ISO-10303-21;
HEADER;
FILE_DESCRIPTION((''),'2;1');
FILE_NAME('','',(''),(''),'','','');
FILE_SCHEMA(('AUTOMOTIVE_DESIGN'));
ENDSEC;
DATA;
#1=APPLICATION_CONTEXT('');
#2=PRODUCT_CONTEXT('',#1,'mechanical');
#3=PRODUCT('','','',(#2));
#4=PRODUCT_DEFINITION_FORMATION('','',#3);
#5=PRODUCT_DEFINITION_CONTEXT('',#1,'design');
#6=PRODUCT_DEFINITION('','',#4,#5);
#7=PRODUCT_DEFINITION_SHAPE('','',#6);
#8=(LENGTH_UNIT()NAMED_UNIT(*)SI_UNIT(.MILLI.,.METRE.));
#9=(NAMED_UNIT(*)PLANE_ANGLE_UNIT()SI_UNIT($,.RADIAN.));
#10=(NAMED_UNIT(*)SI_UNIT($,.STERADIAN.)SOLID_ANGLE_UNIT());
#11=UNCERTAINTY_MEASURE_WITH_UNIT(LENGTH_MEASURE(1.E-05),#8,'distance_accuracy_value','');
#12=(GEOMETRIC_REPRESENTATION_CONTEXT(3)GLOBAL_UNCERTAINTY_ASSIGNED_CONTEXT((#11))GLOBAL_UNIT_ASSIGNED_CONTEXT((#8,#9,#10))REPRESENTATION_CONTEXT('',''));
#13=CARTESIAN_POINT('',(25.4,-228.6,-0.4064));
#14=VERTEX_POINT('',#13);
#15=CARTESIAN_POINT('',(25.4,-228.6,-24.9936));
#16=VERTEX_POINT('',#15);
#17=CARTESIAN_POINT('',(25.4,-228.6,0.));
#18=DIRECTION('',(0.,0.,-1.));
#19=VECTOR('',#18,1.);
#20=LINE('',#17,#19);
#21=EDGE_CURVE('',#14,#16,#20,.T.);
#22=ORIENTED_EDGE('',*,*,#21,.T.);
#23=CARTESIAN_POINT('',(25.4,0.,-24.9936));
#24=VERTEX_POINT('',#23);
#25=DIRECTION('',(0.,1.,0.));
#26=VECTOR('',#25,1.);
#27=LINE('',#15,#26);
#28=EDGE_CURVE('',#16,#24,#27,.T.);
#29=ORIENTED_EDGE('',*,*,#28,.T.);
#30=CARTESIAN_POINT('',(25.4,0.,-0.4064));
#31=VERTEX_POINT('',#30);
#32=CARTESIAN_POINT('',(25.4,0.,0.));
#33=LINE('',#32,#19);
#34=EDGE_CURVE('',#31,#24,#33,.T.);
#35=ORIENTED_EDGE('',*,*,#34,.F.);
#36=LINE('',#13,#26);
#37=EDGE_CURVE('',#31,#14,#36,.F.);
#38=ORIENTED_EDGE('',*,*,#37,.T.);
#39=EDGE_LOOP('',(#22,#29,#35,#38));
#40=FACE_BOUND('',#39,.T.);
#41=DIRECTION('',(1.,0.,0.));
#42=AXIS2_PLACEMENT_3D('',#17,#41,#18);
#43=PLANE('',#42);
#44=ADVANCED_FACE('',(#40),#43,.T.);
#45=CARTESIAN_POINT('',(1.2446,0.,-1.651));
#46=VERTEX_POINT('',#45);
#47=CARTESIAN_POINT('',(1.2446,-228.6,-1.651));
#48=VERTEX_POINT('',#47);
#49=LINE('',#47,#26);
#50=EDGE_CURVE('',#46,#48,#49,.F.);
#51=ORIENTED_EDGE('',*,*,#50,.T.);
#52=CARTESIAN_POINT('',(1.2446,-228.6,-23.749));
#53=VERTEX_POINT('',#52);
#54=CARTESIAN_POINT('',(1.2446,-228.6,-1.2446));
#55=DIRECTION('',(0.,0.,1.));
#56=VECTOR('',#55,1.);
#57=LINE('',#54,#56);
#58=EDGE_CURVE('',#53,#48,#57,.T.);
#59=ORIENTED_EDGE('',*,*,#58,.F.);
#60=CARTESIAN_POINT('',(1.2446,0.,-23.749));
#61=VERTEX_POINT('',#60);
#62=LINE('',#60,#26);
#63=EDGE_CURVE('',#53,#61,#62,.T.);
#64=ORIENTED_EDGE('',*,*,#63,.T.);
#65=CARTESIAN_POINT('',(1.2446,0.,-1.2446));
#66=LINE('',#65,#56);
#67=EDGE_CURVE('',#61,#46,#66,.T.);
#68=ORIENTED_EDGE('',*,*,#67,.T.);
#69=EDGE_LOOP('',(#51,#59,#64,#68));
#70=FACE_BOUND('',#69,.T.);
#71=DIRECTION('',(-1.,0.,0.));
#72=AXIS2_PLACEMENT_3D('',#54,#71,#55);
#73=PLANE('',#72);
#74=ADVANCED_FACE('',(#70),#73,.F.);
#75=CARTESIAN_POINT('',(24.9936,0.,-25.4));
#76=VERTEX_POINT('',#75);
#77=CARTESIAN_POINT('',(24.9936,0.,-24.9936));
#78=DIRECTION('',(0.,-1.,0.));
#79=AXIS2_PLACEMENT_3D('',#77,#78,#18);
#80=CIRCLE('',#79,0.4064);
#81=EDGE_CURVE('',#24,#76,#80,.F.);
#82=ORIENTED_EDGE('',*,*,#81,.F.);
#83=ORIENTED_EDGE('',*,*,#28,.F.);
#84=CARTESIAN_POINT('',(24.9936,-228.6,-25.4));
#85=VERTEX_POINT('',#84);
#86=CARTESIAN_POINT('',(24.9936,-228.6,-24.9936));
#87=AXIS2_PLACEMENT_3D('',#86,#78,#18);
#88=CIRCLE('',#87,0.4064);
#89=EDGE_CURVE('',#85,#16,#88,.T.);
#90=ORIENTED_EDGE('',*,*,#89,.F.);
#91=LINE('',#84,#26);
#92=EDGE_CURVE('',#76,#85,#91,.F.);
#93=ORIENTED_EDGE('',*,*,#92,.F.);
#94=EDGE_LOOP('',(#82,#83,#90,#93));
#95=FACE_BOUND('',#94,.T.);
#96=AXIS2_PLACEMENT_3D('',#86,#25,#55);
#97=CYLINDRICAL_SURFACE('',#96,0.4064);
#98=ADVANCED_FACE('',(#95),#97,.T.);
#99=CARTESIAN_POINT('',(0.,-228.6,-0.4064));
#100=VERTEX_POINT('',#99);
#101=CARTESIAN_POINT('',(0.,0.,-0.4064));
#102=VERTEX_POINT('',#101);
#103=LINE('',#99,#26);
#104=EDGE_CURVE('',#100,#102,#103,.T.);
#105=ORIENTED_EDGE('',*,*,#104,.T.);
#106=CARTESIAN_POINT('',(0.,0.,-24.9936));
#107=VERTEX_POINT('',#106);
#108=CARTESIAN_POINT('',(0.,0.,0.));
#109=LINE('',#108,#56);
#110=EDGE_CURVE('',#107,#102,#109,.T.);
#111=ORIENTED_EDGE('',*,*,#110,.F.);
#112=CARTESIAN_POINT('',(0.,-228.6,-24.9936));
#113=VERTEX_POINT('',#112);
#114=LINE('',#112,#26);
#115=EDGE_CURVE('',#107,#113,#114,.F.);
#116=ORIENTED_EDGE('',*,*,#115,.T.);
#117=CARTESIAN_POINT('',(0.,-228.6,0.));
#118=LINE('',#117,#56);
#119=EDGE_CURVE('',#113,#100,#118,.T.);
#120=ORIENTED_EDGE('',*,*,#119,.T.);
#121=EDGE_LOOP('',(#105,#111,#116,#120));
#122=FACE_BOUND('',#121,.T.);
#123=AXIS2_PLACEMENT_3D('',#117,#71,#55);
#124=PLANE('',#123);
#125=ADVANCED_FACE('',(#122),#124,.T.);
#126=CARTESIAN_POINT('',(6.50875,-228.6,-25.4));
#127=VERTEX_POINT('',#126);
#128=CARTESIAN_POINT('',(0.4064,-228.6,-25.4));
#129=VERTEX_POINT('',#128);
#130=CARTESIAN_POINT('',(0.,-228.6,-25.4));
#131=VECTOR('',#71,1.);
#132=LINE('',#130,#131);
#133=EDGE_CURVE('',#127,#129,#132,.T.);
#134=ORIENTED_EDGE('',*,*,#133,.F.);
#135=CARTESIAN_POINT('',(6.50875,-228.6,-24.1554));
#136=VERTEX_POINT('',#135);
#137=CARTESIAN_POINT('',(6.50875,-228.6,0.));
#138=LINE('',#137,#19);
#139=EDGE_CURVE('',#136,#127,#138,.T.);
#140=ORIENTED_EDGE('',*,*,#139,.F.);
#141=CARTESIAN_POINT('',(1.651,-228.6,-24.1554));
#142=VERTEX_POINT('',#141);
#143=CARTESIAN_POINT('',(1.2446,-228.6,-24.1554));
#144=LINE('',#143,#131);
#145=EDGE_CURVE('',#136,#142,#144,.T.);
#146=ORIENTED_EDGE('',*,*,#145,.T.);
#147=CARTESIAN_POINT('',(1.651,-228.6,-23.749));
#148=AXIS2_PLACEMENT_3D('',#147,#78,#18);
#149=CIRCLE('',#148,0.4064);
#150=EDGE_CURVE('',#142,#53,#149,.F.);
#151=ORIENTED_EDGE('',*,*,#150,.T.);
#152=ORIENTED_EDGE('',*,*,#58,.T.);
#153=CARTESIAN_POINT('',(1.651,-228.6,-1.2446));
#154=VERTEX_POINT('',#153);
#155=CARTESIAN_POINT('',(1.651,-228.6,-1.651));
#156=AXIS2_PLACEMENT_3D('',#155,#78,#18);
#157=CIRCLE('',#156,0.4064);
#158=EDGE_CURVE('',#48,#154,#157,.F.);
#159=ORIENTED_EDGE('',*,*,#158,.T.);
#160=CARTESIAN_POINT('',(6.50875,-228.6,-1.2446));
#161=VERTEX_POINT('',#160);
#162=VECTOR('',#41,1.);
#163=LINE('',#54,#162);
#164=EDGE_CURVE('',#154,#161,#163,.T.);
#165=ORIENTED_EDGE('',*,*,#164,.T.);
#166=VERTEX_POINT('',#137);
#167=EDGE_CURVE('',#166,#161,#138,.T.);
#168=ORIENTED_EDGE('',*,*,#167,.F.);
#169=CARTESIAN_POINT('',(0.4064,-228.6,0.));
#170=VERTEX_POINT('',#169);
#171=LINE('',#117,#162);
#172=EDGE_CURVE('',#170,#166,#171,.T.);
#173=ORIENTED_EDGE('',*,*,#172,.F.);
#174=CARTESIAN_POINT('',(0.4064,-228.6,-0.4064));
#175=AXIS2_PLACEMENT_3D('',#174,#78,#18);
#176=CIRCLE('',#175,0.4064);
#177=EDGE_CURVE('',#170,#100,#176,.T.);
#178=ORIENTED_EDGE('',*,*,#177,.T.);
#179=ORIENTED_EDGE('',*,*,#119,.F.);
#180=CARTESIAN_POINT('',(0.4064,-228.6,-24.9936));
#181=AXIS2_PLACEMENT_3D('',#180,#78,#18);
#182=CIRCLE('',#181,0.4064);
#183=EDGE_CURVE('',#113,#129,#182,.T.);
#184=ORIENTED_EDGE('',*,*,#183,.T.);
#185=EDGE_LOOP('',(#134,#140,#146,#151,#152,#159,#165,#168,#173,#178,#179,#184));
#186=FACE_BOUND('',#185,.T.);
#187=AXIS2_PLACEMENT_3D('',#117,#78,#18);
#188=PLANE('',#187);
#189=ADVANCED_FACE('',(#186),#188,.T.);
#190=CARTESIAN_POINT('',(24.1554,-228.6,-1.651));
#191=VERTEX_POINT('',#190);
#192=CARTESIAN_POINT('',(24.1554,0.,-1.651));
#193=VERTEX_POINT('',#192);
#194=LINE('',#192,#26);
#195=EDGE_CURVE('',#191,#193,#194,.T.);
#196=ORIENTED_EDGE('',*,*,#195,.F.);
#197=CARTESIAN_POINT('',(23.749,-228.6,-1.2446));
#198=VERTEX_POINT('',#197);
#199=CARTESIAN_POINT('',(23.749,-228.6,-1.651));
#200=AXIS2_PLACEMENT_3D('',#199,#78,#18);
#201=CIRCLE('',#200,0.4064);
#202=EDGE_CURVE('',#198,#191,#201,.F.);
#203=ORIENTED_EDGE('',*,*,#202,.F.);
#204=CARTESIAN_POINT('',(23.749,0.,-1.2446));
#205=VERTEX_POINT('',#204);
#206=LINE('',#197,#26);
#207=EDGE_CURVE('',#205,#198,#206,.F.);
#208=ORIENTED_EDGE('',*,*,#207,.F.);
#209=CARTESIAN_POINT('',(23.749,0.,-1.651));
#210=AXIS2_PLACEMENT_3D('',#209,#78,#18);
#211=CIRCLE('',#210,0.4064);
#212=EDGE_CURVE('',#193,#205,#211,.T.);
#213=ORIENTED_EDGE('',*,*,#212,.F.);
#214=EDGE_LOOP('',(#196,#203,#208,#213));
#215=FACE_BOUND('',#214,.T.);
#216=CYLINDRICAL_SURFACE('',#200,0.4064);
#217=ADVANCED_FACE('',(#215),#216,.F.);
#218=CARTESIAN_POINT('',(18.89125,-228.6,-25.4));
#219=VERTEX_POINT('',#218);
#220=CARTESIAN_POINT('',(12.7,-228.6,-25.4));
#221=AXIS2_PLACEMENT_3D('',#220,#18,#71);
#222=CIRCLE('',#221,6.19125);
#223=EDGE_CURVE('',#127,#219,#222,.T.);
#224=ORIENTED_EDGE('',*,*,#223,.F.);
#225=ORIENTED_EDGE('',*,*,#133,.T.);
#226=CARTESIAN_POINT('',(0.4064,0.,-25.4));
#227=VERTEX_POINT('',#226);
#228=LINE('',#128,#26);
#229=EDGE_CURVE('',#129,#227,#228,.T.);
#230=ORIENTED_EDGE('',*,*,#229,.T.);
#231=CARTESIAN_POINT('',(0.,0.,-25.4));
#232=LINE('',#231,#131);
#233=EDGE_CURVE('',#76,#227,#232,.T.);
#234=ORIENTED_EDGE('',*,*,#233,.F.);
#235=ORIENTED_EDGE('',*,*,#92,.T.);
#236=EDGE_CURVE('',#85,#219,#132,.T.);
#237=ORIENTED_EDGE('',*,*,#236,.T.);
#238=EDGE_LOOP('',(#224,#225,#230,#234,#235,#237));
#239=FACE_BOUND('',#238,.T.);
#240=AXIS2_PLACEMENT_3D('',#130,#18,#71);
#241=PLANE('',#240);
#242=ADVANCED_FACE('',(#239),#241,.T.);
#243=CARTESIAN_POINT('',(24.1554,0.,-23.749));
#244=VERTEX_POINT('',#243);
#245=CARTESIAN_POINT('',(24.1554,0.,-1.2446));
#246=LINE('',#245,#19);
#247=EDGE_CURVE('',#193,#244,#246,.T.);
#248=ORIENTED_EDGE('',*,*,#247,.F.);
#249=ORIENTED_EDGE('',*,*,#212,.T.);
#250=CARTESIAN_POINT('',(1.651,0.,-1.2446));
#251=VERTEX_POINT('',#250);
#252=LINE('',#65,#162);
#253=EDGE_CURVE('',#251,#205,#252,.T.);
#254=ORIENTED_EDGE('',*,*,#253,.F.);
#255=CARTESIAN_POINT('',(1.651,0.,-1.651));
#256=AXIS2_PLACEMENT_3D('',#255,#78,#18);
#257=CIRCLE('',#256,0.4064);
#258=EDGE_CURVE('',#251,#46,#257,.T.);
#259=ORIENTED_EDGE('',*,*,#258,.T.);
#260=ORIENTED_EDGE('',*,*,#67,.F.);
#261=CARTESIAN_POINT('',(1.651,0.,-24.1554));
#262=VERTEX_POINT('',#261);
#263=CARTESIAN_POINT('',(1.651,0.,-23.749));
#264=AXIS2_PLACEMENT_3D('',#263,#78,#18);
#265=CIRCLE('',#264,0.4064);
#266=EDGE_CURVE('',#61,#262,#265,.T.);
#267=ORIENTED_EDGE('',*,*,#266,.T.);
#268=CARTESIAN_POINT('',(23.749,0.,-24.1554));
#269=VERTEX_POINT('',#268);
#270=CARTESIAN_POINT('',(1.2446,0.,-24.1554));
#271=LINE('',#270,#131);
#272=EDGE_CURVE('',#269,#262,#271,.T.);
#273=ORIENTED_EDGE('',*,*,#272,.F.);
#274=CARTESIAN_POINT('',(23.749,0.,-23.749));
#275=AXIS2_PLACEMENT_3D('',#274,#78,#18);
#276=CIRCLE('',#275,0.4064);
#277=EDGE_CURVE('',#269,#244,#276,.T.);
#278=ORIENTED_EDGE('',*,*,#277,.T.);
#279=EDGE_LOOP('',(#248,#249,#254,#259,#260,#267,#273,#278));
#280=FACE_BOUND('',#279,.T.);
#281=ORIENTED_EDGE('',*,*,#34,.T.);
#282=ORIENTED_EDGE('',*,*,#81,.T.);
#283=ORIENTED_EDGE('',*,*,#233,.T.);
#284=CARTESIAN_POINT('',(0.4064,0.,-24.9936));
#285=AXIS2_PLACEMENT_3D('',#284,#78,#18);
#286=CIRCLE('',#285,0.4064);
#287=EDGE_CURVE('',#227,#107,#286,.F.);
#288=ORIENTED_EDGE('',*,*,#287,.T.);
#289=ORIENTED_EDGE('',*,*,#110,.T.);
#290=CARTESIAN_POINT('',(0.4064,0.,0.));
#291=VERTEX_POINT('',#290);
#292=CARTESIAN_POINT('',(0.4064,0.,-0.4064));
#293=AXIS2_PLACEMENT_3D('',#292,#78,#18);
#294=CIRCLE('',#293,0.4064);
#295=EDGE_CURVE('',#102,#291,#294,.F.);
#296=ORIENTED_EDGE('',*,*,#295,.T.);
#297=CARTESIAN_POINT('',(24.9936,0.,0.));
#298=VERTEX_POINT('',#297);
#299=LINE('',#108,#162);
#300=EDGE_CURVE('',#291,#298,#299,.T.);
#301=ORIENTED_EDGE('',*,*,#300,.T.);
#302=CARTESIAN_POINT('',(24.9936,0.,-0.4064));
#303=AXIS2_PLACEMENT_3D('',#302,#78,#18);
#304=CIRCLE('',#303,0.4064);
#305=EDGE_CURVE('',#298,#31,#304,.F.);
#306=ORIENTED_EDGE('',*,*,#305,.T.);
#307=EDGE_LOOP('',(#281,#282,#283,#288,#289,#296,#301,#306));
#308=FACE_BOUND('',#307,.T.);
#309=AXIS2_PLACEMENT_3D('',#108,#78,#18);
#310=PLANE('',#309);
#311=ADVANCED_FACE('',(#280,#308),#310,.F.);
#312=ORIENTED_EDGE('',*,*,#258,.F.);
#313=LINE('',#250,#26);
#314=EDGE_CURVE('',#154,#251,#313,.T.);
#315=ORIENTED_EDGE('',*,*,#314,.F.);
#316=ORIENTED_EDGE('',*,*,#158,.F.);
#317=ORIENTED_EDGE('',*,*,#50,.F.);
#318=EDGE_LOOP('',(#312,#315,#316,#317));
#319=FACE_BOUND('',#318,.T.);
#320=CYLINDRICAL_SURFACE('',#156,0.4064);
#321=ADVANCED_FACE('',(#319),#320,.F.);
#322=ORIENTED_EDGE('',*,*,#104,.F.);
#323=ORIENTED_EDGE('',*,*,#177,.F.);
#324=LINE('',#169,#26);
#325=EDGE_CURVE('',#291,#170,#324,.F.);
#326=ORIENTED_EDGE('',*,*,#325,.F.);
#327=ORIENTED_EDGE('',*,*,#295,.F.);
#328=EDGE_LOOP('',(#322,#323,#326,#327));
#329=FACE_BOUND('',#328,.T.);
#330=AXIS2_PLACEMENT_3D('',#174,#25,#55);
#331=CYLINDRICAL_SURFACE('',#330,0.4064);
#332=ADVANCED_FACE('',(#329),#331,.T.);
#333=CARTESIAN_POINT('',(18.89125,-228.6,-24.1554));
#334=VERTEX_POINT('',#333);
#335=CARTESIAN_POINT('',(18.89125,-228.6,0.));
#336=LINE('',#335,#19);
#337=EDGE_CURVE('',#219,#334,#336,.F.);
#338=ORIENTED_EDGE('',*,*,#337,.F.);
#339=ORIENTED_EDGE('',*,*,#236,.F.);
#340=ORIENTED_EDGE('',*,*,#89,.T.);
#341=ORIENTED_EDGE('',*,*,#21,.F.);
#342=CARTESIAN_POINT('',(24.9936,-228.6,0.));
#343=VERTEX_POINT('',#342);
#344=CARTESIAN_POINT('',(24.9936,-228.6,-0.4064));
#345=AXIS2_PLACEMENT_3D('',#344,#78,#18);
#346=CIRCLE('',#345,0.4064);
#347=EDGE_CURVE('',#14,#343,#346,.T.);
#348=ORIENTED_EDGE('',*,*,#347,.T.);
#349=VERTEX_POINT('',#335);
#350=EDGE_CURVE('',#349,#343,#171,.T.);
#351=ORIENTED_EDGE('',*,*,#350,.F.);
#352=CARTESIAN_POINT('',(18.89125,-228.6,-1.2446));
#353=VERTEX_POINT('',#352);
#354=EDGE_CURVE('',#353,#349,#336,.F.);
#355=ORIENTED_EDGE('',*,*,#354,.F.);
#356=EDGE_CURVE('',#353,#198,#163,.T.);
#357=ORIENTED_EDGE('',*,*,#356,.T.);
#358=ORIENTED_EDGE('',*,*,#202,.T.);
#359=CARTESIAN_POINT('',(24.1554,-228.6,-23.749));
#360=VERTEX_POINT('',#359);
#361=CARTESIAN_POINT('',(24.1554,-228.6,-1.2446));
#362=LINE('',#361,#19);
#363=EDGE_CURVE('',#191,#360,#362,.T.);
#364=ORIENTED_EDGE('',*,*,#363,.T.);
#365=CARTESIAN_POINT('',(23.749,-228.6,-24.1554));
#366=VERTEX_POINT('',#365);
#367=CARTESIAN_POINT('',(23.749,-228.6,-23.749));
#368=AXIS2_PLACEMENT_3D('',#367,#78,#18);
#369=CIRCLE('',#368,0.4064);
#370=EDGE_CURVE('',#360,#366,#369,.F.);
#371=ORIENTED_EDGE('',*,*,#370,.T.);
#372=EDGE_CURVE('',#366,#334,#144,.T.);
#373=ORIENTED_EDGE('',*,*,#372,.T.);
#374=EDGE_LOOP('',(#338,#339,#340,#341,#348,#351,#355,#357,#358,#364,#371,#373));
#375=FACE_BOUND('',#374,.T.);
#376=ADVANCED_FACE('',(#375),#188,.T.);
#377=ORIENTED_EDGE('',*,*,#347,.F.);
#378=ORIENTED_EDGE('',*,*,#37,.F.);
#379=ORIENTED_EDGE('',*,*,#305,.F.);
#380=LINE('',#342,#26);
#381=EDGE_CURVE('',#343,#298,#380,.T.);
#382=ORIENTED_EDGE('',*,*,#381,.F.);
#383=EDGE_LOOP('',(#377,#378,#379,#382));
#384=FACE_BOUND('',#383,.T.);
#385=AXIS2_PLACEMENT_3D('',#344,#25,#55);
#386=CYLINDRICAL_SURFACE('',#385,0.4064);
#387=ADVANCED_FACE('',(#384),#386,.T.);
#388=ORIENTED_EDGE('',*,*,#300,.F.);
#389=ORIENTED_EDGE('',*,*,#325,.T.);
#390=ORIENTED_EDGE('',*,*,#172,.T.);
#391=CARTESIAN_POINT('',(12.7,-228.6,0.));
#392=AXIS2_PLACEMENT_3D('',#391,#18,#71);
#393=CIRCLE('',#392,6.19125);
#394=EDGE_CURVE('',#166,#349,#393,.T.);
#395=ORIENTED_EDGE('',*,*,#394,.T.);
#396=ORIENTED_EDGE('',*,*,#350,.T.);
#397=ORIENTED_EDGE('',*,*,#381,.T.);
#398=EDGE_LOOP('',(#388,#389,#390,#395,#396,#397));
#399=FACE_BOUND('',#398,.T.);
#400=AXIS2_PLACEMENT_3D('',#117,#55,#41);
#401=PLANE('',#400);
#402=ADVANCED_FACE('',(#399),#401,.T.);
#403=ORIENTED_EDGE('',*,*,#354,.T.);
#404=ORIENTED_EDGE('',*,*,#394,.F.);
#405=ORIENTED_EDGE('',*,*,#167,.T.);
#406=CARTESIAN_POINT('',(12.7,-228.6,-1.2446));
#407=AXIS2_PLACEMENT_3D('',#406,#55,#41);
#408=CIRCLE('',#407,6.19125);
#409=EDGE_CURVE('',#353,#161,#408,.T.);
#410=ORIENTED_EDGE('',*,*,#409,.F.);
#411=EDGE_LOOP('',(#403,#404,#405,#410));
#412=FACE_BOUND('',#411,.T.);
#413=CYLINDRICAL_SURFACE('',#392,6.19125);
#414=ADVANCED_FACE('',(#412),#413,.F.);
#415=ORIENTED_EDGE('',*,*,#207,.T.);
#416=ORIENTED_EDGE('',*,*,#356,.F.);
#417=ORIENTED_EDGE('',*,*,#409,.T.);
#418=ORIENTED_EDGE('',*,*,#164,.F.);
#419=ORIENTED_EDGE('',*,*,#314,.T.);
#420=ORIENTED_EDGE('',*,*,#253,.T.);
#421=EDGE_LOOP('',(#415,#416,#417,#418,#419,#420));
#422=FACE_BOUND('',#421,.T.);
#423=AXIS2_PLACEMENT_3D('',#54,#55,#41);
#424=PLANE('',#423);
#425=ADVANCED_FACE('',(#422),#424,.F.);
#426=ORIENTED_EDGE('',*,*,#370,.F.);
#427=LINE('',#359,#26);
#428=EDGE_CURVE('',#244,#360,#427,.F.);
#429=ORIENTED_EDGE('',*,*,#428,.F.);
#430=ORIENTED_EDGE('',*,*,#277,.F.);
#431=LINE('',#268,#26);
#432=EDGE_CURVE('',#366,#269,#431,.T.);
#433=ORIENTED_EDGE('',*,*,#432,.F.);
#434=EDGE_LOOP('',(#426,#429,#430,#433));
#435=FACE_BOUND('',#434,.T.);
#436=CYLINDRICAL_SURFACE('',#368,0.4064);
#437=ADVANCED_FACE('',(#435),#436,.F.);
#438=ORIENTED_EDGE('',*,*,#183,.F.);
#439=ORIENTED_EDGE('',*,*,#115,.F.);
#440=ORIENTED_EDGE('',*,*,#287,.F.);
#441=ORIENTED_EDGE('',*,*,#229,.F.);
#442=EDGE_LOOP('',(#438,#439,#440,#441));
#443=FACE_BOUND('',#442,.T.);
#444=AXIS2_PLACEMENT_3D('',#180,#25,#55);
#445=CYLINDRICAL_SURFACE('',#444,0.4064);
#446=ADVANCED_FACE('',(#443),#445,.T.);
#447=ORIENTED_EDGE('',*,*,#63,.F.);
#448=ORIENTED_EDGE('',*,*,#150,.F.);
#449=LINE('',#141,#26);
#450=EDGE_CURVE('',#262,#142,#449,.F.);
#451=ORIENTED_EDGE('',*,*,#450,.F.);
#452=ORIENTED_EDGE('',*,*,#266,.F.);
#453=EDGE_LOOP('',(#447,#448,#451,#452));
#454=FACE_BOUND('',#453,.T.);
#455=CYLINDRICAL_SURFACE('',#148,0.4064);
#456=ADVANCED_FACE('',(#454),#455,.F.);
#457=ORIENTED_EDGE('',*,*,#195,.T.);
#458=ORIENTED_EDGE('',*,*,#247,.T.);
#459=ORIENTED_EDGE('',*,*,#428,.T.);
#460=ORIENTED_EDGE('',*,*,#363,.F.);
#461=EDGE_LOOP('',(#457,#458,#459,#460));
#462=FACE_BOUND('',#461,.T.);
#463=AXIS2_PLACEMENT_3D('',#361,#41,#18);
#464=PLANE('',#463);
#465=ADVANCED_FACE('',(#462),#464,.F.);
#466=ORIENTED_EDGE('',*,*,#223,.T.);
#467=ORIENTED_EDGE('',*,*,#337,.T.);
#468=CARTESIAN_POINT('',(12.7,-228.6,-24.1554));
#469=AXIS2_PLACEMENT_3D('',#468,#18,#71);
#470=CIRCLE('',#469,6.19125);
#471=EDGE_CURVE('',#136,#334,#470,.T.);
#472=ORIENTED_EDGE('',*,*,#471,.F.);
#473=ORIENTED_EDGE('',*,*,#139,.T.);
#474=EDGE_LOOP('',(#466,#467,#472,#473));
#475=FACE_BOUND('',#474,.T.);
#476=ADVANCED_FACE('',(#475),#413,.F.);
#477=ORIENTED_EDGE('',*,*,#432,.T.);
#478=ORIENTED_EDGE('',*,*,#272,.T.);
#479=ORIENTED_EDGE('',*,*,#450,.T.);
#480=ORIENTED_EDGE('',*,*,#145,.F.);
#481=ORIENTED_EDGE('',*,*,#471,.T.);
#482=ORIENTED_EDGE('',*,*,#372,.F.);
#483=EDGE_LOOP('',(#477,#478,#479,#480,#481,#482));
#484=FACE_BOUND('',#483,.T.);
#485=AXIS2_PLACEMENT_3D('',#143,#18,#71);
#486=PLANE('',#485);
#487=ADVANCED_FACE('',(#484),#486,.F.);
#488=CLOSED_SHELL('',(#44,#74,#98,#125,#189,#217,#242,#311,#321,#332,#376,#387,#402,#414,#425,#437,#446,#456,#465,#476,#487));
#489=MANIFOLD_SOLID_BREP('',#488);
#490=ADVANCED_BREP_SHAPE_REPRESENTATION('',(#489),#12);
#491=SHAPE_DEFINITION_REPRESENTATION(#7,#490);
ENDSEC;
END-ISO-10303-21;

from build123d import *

# Parameters (mm, degrees)
SKETCH1_W           = 25.4
SKETCH1_H           = 25.4
SKETCH1_W_2         = 22.9108
SKETCH1_H_2         = 22.9108
BOSS_EXTRUDE1_DEPTH = 228.6
FILLET1_R           = 0.4064
SKETCH2_R           = 6.19125
CUT_EXTRUDE1_DEPTH  = 232.40501291


with BuildPart() as part:
    # Sketch1 → Boss-Extrude1 (new body)
    with BuildSketch(Plane(origin=(0, 0, 0), x_dir=(1, 0, 0), z_dir=(0, 1, 0))):
        with Locations((12.7, 12.7)):
            Rectangle(SKETCH1_W, SKETCH1_H)
        with Locations((12.7, 12.7)):
            Rectangle(SKETCH1_W_2, SKETCH1_H_2, mode=Mode.SUBTRACT)
    extrude(amount=-BOSS_EXTRUDE1_DEPTH)

    # Fillet1
    fillet1_edges = [part.edges().sort_by_distance(p)[0] for p in [
        (1.2446, -114.3, -1.2446),
        (1.2446, -114.3, -24.1554),
        (24.1554, -114.3, -24.1554),
        (24.1554, -114.3, -1.2446),
        (0, -114.3, -25.4),
        (25.4, -114.3, -25.4),
        (25.4, -114.3, 0),
        (0, -114.3, 0),
    ]]
    fillet(fillet1_edges, radius=FILLET1_R)

    # Sketch2 → Cut-Extrude1 (cut, through all)
    with BuildSketch(Plane(origin=(0, 0, -25.4), x_dir=(-1, 0, 0), z_dir=(0, 0, -1))):
        with Locations((-12.7, -228.6)):
            Circle(SKETCH2_R)
    extrude(amount=-CUT_EXTRUDE1_DEPTH, mode=Mode.SUBTRACT)


solid = part.part
